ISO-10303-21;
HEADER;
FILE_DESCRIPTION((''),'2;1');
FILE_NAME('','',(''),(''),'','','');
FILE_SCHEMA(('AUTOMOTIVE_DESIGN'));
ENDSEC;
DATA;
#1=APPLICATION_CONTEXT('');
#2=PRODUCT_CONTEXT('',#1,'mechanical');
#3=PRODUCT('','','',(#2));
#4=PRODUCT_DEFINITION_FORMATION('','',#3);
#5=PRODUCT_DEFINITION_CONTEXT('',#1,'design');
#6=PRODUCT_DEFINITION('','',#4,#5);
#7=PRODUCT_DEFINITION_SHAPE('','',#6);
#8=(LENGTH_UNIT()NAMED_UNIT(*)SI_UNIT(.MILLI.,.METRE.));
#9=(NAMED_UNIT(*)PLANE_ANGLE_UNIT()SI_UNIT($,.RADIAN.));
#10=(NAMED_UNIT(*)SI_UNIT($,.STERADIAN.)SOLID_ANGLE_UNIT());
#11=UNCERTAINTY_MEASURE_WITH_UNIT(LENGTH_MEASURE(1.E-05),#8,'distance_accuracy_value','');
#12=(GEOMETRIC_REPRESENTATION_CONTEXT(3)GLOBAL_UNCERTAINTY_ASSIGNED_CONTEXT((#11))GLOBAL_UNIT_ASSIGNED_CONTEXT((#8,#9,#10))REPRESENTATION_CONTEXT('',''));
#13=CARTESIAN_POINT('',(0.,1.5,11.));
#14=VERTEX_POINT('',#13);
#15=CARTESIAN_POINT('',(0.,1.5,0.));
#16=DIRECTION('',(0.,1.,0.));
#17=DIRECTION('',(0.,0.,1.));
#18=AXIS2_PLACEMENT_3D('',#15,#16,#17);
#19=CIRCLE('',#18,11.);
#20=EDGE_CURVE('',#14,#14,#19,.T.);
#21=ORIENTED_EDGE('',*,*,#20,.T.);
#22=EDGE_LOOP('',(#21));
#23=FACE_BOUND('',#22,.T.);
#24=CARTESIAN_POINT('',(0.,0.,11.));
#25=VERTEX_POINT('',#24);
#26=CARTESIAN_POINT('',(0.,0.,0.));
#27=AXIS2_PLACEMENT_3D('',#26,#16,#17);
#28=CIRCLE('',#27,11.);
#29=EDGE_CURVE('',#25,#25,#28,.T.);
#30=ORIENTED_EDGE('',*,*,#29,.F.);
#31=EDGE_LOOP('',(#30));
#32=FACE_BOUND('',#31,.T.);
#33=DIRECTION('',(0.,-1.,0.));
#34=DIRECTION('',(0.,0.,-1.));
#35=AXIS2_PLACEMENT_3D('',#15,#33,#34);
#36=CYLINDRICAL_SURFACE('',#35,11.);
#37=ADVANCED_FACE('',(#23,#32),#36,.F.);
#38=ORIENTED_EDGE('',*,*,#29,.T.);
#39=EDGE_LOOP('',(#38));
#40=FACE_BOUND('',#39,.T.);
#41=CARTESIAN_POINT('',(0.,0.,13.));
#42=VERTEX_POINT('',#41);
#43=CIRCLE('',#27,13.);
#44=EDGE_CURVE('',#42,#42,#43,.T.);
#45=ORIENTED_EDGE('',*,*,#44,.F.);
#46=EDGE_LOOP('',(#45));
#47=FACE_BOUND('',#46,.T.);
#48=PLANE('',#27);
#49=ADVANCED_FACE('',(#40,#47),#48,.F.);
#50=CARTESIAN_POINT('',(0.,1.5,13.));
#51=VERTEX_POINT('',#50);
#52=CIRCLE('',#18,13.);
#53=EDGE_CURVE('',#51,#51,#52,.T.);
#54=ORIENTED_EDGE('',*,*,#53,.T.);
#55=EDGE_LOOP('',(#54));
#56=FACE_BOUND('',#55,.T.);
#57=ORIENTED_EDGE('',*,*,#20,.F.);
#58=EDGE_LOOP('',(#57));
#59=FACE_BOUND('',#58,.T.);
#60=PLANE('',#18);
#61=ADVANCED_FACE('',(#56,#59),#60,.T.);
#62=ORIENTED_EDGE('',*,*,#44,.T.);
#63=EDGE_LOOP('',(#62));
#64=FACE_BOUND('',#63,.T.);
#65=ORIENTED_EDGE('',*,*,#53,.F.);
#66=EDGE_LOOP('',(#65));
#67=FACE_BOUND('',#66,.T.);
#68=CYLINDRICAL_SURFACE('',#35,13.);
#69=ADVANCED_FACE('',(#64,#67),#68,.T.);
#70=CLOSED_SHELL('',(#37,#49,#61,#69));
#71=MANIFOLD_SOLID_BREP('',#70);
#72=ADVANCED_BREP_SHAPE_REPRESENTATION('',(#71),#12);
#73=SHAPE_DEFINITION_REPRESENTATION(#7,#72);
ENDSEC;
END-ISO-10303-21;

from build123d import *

# Parameters (mm, degrees)
SKETCH1_R           = 13
SKETCH1_R_2         = 11
BOSS_EXTRUDE1_DEPTH = 1.5


with BuildPart() as part:
    # Sketch1 → Boss-Extrude1 (new body)
    with BuildSketch(Plane(origin=(0, 0, 0), x_dir=(1, 0, 0), z_dir=(0, 1, 0))):
        with Locations(Location((0, 0, 0), (0, 0, 270))):
            Circle(SKETCH1_R)
        with Locations(Location((0, 0, 0), (0, 0, 270))):
            Circle(SKETCH1_R_2, mode=Mode.SUBTRACT)
    extrude(amount=BOSS_EXTRUDE1_DEPTH)


solid = part.part
